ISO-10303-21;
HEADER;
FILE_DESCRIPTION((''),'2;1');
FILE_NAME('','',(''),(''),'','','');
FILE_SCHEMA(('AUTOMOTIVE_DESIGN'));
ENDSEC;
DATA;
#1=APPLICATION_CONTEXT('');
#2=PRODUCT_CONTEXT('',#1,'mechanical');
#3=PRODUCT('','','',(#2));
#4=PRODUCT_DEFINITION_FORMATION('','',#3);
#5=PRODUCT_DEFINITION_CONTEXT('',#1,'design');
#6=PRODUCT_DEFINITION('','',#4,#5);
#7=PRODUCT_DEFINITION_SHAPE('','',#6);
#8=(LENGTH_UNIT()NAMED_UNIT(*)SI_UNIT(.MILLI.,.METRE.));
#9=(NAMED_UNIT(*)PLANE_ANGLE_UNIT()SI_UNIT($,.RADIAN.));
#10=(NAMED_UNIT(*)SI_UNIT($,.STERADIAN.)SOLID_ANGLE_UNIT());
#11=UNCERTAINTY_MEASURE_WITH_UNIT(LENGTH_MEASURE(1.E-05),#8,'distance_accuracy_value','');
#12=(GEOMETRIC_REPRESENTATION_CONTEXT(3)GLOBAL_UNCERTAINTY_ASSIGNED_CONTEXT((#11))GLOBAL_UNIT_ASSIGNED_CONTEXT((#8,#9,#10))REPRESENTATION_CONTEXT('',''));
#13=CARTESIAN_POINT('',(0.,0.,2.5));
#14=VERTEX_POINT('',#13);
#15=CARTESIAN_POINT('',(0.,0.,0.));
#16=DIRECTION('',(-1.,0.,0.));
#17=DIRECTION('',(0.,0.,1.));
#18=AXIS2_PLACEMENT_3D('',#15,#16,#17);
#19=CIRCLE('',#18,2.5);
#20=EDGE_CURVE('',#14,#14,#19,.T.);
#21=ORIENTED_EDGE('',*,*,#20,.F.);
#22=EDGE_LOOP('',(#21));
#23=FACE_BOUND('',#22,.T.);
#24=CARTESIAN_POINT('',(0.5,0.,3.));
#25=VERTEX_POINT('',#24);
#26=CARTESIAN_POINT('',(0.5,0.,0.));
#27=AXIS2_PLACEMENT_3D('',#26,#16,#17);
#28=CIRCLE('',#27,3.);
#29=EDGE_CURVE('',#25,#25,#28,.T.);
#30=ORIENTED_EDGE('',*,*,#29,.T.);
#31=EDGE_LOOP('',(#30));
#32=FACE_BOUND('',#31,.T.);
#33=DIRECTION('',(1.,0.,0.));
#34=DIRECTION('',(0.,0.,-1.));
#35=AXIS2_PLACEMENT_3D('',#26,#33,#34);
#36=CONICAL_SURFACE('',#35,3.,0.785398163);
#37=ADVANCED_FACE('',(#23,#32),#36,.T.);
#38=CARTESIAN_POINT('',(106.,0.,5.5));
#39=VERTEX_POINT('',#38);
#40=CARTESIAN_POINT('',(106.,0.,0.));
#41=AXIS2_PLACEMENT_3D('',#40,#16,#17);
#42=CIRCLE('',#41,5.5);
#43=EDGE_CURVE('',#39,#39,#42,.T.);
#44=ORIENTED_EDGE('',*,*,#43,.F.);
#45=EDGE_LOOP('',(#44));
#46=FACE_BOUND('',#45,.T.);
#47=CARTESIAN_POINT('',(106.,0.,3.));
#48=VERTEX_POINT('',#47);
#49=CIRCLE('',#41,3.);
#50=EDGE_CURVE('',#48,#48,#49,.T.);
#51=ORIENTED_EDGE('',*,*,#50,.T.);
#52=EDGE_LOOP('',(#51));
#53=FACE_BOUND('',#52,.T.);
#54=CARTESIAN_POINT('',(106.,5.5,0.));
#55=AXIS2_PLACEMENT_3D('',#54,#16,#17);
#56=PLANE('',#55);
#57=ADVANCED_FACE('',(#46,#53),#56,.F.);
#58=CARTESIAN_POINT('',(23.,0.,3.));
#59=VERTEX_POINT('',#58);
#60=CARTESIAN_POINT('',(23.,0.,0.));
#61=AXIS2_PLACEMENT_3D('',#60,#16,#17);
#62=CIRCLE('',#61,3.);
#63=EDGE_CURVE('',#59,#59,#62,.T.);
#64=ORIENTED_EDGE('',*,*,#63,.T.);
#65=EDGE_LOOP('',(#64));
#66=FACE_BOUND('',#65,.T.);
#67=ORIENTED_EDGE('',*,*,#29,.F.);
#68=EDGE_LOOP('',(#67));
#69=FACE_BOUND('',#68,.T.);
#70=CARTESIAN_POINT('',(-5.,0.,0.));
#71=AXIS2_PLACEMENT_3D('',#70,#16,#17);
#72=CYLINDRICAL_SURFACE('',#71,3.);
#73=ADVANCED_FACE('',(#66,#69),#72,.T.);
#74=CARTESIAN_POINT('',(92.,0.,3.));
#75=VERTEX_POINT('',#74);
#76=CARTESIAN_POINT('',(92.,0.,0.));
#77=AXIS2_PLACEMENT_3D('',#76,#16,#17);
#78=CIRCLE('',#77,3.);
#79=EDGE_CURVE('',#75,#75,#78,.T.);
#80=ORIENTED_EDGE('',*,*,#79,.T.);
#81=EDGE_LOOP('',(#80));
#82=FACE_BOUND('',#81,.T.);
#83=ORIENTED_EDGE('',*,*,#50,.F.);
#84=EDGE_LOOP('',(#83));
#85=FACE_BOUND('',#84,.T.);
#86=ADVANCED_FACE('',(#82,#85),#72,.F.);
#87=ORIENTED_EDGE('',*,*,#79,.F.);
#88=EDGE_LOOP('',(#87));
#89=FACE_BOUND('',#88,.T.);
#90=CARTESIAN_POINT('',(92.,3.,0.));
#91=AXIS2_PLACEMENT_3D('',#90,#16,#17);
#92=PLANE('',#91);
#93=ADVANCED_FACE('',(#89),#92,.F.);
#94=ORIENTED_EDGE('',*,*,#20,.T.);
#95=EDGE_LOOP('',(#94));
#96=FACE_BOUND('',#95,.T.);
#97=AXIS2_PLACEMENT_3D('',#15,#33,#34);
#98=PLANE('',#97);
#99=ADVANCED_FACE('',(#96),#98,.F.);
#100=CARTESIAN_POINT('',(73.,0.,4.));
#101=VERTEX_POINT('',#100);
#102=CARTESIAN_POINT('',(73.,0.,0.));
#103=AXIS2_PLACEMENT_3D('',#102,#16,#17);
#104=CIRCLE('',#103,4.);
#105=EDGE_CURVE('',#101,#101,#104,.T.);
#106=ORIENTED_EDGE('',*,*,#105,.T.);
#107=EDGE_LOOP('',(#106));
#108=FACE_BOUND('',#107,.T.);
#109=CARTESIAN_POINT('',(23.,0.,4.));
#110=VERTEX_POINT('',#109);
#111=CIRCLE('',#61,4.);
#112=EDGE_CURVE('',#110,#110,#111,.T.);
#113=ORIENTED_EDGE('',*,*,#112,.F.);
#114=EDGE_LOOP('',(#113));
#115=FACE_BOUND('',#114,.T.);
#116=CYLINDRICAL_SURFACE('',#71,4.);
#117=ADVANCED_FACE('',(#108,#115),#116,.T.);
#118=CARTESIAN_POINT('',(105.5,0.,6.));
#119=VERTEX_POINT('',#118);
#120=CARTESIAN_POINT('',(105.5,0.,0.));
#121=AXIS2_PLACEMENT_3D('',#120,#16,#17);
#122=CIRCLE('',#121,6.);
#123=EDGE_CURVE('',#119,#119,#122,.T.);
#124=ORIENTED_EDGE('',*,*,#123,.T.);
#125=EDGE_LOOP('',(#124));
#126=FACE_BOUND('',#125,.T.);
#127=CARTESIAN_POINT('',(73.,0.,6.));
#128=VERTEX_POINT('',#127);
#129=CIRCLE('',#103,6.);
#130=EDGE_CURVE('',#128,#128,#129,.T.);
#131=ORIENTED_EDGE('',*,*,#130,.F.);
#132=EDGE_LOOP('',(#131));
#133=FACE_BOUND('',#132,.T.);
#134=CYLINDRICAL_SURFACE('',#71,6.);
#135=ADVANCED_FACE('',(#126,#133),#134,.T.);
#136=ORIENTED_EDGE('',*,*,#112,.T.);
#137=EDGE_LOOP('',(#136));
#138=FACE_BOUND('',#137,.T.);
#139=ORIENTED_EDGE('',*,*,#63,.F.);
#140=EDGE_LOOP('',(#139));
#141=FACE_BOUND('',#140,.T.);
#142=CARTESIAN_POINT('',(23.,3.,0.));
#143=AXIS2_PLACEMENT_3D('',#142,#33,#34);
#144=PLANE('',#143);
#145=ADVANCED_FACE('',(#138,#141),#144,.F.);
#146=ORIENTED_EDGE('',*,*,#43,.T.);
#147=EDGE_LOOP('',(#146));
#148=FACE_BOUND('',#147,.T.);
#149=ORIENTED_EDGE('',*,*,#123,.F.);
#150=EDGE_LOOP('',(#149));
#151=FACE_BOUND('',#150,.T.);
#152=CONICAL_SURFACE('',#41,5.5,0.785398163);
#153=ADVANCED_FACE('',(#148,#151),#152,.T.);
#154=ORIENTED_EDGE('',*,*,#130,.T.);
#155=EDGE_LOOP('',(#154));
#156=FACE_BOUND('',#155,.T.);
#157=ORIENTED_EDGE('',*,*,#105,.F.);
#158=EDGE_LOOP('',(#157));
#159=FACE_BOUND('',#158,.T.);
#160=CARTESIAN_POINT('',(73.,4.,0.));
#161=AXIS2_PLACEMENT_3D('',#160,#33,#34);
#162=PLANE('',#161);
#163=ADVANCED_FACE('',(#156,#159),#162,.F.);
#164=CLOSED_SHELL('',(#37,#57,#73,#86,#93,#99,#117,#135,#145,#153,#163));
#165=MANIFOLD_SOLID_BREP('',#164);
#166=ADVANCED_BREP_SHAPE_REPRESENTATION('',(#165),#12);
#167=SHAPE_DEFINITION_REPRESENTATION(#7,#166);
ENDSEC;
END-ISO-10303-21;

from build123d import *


with BuildPart() as part:
    # Sketch_Shaft_Profile → Shaft_Revolve_12x33_8x50_M6x23_TappedM6x14 (revolve)
    with BuildSketch(Plane.XY):
        Polygon((0, 0), (0, 2.5), (0.5, 3), (23, 3), (23, 4), (73, 4), (73, 6), (105.5, 6), (106, 5.5), (106, 3), (92, 3), (92, 0), align=None)
    revolve(axis=Axis((-5, 0, 0), (1, 0, 0)))


solid = part.part
